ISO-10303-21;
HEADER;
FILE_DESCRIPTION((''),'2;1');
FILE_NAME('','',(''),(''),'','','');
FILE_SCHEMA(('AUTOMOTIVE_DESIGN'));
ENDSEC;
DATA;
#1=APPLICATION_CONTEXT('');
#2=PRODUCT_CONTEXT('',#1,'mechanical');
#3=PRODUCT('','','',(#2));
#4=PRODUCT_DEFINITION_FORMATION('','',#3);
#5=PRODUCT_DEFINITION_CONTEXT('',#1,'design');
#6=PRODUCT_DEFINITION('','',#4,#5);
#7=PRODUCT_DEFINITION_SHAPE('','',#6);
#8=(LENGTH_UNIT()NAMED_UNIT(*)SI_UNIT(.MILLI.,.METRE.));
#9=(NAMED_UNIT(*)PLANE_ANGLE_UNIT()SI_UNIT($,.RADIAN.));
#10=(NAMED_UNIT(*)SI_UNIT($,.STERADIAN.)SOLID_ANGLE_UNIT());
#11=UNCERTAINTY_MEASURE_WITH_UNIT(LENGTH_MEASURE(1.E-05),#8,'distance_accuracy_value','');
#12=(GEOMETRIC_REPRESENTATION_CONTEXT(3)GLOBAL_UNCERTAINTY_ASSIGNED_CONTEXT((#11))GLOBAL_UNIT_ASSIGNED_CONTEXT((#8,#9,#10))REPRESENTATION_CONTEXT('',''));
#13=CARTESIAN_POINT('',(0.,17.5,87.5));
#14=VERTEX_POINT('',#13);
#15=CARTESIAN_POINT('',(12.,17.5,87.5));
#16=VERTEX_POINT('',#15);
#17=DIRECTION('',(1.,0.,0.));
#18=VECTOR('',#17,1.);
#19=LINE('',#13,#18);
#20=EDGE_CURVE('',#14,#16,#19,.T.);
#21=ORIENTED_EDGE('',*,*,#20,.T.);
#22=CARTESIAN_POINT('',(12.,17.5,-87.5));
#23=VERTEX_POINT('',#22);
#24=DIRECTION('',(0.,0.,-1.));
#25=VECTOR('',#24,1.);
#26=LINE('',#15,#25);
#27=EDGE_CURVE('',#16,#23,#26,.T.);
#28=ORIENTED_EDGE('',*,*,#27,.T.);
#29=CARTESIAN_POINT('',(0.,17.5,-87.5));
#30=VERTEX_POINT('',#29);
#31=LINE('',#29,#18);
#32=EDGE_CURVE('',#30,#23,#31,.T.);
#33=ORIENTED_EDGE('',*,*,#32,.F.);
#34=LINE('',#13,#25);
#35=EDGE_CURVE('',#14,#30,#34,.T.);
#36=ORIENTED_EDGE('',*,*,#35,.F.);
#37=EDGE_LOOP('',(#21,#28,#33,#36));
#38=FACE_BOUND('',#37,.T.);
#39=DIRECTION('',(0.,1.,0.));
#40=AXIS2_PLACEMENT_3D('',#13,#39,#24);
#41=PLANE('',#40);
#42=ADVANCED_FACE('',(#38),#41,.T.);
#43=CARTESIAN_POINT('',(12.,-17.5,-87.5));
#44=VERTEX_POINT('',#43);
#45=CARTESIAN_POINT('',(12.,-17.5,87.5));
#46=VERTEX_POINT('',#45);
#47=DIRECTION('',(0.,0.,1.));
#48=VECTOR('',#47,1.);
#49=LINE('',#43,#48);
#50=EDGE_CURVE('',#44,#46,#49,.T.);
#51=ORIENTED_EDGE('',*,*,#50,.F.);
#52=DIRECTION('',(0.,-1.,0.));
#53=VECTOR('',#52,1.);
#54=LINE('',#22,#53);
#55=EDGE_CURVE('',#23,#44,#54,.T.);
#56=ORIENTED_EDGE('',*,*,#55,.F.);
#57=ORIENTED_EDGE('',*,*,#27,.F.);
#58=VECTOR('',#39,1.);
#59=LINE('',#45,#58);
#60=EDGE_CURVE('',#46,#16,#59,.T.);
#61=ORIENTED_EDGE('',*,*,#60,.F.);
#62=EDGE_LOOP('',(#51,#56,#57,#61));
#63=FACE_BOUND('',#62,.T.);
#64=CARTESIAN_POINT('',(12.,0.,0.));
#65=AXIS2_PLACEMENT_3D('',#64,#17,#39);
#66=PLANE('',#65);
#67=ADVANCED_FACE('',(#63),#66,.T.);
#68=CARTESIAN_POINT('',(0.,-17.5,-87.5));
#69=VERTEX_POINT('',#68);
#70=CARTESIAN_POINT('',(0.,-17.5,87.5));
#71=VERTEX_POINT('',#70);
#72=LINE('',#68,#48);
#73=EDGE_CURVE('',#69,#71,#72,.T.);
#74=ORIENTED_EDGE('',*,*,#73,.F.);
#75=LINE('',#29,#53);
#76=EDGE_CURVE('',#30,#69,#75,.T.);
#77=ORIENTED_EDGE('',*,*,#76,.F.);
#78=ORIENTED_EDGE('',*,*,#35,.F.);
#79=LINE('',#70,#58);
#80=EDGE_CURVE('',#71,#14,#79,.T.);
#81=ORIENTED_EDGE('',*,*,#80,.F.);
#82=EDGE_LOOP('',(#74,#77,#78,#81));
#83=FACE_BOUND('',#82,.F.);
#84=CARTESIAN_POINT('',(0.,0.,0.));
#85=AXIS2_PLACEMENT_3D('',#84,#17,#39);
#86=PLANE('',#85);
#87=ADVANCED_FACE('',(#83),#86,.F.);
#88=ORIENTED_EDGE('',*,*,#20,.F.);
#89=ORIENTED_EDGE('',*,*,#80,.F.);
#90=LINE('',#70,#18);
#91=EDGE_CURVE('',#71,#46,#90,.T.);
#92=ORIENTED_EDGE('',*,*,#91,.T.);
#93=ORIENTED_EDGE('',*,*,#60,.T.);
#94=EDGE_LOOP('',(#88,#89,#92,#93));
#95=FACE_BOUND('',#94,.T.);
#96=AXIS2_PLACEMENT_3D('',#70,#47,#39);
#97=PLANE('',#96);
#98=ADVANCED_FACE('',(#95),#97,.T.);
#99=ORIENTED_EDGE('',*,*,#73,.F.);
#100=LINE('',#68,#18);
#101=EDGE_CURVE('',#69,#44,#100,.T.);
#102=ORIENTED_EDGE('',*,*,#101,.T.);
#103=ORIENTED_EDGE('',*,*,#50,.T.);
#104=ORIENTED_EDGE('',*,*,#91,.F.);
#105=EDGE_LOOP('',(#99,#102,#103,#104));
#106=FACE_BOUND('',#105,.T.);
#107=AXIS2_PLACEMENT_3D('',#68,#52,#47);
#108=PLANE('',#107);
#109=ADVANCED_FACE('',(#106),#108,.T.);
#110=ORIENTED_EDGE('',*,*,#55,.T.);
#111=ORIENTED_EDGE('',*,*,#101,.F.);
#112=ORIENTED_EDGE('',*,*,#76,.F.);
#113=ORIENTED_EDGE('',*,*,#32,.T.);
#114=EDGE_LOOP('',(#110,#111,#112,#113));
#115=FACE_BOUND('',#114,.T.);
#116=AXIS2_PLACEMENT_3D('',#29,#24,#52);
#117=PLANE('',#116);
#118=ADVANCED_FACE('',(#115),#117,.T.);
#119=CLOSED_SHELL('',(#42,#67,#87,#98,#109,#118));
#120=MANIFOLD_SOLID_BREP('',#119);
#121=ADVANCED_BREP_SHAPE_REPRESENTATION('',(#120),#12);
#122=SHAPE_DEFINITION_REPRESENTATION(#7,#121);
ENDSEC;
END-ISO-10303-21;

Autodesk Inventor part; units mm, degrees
ref_plane "YZ Plane" through (0, 0, 0) normal (1, 0, 0) x (0, 1, 0)
ref_plane "XZ Plane" through (0, 0, 0) normal (0, 1, 0) x (-1, 0, 0)
ref_plane "XY Plane" through (0, 0, 0) normal (0, 0, 1) x (1, 0, 0)
sketch "Sketch1" plane through (0, 0, 0) normal (1, 0, 0) x (0, 1, 0)
  line L0 (-17.5, 87.5) -> (17.5, 87.5)
  line L1 (17.5, 87.5) -> (17.5, -87.5)
  line L2 (17.5, -87.5) -> (-17.5, -87.5)
  line L3 (-17.5, -87.5) -> (-17.5, 87.5)
  line L4 (-17.5, 87.5) -> (17.5, -87.5) construction
  line L5 (17.5, 87.5) -> (-17.5, -87.5) construction
  point P0 (0, 0)
  dimension "d0" = 35
  dimension "d1" = 175
extrude "Extrusion1" add sketch "Sketch1" along normal blind 12
properties material "Steel"
